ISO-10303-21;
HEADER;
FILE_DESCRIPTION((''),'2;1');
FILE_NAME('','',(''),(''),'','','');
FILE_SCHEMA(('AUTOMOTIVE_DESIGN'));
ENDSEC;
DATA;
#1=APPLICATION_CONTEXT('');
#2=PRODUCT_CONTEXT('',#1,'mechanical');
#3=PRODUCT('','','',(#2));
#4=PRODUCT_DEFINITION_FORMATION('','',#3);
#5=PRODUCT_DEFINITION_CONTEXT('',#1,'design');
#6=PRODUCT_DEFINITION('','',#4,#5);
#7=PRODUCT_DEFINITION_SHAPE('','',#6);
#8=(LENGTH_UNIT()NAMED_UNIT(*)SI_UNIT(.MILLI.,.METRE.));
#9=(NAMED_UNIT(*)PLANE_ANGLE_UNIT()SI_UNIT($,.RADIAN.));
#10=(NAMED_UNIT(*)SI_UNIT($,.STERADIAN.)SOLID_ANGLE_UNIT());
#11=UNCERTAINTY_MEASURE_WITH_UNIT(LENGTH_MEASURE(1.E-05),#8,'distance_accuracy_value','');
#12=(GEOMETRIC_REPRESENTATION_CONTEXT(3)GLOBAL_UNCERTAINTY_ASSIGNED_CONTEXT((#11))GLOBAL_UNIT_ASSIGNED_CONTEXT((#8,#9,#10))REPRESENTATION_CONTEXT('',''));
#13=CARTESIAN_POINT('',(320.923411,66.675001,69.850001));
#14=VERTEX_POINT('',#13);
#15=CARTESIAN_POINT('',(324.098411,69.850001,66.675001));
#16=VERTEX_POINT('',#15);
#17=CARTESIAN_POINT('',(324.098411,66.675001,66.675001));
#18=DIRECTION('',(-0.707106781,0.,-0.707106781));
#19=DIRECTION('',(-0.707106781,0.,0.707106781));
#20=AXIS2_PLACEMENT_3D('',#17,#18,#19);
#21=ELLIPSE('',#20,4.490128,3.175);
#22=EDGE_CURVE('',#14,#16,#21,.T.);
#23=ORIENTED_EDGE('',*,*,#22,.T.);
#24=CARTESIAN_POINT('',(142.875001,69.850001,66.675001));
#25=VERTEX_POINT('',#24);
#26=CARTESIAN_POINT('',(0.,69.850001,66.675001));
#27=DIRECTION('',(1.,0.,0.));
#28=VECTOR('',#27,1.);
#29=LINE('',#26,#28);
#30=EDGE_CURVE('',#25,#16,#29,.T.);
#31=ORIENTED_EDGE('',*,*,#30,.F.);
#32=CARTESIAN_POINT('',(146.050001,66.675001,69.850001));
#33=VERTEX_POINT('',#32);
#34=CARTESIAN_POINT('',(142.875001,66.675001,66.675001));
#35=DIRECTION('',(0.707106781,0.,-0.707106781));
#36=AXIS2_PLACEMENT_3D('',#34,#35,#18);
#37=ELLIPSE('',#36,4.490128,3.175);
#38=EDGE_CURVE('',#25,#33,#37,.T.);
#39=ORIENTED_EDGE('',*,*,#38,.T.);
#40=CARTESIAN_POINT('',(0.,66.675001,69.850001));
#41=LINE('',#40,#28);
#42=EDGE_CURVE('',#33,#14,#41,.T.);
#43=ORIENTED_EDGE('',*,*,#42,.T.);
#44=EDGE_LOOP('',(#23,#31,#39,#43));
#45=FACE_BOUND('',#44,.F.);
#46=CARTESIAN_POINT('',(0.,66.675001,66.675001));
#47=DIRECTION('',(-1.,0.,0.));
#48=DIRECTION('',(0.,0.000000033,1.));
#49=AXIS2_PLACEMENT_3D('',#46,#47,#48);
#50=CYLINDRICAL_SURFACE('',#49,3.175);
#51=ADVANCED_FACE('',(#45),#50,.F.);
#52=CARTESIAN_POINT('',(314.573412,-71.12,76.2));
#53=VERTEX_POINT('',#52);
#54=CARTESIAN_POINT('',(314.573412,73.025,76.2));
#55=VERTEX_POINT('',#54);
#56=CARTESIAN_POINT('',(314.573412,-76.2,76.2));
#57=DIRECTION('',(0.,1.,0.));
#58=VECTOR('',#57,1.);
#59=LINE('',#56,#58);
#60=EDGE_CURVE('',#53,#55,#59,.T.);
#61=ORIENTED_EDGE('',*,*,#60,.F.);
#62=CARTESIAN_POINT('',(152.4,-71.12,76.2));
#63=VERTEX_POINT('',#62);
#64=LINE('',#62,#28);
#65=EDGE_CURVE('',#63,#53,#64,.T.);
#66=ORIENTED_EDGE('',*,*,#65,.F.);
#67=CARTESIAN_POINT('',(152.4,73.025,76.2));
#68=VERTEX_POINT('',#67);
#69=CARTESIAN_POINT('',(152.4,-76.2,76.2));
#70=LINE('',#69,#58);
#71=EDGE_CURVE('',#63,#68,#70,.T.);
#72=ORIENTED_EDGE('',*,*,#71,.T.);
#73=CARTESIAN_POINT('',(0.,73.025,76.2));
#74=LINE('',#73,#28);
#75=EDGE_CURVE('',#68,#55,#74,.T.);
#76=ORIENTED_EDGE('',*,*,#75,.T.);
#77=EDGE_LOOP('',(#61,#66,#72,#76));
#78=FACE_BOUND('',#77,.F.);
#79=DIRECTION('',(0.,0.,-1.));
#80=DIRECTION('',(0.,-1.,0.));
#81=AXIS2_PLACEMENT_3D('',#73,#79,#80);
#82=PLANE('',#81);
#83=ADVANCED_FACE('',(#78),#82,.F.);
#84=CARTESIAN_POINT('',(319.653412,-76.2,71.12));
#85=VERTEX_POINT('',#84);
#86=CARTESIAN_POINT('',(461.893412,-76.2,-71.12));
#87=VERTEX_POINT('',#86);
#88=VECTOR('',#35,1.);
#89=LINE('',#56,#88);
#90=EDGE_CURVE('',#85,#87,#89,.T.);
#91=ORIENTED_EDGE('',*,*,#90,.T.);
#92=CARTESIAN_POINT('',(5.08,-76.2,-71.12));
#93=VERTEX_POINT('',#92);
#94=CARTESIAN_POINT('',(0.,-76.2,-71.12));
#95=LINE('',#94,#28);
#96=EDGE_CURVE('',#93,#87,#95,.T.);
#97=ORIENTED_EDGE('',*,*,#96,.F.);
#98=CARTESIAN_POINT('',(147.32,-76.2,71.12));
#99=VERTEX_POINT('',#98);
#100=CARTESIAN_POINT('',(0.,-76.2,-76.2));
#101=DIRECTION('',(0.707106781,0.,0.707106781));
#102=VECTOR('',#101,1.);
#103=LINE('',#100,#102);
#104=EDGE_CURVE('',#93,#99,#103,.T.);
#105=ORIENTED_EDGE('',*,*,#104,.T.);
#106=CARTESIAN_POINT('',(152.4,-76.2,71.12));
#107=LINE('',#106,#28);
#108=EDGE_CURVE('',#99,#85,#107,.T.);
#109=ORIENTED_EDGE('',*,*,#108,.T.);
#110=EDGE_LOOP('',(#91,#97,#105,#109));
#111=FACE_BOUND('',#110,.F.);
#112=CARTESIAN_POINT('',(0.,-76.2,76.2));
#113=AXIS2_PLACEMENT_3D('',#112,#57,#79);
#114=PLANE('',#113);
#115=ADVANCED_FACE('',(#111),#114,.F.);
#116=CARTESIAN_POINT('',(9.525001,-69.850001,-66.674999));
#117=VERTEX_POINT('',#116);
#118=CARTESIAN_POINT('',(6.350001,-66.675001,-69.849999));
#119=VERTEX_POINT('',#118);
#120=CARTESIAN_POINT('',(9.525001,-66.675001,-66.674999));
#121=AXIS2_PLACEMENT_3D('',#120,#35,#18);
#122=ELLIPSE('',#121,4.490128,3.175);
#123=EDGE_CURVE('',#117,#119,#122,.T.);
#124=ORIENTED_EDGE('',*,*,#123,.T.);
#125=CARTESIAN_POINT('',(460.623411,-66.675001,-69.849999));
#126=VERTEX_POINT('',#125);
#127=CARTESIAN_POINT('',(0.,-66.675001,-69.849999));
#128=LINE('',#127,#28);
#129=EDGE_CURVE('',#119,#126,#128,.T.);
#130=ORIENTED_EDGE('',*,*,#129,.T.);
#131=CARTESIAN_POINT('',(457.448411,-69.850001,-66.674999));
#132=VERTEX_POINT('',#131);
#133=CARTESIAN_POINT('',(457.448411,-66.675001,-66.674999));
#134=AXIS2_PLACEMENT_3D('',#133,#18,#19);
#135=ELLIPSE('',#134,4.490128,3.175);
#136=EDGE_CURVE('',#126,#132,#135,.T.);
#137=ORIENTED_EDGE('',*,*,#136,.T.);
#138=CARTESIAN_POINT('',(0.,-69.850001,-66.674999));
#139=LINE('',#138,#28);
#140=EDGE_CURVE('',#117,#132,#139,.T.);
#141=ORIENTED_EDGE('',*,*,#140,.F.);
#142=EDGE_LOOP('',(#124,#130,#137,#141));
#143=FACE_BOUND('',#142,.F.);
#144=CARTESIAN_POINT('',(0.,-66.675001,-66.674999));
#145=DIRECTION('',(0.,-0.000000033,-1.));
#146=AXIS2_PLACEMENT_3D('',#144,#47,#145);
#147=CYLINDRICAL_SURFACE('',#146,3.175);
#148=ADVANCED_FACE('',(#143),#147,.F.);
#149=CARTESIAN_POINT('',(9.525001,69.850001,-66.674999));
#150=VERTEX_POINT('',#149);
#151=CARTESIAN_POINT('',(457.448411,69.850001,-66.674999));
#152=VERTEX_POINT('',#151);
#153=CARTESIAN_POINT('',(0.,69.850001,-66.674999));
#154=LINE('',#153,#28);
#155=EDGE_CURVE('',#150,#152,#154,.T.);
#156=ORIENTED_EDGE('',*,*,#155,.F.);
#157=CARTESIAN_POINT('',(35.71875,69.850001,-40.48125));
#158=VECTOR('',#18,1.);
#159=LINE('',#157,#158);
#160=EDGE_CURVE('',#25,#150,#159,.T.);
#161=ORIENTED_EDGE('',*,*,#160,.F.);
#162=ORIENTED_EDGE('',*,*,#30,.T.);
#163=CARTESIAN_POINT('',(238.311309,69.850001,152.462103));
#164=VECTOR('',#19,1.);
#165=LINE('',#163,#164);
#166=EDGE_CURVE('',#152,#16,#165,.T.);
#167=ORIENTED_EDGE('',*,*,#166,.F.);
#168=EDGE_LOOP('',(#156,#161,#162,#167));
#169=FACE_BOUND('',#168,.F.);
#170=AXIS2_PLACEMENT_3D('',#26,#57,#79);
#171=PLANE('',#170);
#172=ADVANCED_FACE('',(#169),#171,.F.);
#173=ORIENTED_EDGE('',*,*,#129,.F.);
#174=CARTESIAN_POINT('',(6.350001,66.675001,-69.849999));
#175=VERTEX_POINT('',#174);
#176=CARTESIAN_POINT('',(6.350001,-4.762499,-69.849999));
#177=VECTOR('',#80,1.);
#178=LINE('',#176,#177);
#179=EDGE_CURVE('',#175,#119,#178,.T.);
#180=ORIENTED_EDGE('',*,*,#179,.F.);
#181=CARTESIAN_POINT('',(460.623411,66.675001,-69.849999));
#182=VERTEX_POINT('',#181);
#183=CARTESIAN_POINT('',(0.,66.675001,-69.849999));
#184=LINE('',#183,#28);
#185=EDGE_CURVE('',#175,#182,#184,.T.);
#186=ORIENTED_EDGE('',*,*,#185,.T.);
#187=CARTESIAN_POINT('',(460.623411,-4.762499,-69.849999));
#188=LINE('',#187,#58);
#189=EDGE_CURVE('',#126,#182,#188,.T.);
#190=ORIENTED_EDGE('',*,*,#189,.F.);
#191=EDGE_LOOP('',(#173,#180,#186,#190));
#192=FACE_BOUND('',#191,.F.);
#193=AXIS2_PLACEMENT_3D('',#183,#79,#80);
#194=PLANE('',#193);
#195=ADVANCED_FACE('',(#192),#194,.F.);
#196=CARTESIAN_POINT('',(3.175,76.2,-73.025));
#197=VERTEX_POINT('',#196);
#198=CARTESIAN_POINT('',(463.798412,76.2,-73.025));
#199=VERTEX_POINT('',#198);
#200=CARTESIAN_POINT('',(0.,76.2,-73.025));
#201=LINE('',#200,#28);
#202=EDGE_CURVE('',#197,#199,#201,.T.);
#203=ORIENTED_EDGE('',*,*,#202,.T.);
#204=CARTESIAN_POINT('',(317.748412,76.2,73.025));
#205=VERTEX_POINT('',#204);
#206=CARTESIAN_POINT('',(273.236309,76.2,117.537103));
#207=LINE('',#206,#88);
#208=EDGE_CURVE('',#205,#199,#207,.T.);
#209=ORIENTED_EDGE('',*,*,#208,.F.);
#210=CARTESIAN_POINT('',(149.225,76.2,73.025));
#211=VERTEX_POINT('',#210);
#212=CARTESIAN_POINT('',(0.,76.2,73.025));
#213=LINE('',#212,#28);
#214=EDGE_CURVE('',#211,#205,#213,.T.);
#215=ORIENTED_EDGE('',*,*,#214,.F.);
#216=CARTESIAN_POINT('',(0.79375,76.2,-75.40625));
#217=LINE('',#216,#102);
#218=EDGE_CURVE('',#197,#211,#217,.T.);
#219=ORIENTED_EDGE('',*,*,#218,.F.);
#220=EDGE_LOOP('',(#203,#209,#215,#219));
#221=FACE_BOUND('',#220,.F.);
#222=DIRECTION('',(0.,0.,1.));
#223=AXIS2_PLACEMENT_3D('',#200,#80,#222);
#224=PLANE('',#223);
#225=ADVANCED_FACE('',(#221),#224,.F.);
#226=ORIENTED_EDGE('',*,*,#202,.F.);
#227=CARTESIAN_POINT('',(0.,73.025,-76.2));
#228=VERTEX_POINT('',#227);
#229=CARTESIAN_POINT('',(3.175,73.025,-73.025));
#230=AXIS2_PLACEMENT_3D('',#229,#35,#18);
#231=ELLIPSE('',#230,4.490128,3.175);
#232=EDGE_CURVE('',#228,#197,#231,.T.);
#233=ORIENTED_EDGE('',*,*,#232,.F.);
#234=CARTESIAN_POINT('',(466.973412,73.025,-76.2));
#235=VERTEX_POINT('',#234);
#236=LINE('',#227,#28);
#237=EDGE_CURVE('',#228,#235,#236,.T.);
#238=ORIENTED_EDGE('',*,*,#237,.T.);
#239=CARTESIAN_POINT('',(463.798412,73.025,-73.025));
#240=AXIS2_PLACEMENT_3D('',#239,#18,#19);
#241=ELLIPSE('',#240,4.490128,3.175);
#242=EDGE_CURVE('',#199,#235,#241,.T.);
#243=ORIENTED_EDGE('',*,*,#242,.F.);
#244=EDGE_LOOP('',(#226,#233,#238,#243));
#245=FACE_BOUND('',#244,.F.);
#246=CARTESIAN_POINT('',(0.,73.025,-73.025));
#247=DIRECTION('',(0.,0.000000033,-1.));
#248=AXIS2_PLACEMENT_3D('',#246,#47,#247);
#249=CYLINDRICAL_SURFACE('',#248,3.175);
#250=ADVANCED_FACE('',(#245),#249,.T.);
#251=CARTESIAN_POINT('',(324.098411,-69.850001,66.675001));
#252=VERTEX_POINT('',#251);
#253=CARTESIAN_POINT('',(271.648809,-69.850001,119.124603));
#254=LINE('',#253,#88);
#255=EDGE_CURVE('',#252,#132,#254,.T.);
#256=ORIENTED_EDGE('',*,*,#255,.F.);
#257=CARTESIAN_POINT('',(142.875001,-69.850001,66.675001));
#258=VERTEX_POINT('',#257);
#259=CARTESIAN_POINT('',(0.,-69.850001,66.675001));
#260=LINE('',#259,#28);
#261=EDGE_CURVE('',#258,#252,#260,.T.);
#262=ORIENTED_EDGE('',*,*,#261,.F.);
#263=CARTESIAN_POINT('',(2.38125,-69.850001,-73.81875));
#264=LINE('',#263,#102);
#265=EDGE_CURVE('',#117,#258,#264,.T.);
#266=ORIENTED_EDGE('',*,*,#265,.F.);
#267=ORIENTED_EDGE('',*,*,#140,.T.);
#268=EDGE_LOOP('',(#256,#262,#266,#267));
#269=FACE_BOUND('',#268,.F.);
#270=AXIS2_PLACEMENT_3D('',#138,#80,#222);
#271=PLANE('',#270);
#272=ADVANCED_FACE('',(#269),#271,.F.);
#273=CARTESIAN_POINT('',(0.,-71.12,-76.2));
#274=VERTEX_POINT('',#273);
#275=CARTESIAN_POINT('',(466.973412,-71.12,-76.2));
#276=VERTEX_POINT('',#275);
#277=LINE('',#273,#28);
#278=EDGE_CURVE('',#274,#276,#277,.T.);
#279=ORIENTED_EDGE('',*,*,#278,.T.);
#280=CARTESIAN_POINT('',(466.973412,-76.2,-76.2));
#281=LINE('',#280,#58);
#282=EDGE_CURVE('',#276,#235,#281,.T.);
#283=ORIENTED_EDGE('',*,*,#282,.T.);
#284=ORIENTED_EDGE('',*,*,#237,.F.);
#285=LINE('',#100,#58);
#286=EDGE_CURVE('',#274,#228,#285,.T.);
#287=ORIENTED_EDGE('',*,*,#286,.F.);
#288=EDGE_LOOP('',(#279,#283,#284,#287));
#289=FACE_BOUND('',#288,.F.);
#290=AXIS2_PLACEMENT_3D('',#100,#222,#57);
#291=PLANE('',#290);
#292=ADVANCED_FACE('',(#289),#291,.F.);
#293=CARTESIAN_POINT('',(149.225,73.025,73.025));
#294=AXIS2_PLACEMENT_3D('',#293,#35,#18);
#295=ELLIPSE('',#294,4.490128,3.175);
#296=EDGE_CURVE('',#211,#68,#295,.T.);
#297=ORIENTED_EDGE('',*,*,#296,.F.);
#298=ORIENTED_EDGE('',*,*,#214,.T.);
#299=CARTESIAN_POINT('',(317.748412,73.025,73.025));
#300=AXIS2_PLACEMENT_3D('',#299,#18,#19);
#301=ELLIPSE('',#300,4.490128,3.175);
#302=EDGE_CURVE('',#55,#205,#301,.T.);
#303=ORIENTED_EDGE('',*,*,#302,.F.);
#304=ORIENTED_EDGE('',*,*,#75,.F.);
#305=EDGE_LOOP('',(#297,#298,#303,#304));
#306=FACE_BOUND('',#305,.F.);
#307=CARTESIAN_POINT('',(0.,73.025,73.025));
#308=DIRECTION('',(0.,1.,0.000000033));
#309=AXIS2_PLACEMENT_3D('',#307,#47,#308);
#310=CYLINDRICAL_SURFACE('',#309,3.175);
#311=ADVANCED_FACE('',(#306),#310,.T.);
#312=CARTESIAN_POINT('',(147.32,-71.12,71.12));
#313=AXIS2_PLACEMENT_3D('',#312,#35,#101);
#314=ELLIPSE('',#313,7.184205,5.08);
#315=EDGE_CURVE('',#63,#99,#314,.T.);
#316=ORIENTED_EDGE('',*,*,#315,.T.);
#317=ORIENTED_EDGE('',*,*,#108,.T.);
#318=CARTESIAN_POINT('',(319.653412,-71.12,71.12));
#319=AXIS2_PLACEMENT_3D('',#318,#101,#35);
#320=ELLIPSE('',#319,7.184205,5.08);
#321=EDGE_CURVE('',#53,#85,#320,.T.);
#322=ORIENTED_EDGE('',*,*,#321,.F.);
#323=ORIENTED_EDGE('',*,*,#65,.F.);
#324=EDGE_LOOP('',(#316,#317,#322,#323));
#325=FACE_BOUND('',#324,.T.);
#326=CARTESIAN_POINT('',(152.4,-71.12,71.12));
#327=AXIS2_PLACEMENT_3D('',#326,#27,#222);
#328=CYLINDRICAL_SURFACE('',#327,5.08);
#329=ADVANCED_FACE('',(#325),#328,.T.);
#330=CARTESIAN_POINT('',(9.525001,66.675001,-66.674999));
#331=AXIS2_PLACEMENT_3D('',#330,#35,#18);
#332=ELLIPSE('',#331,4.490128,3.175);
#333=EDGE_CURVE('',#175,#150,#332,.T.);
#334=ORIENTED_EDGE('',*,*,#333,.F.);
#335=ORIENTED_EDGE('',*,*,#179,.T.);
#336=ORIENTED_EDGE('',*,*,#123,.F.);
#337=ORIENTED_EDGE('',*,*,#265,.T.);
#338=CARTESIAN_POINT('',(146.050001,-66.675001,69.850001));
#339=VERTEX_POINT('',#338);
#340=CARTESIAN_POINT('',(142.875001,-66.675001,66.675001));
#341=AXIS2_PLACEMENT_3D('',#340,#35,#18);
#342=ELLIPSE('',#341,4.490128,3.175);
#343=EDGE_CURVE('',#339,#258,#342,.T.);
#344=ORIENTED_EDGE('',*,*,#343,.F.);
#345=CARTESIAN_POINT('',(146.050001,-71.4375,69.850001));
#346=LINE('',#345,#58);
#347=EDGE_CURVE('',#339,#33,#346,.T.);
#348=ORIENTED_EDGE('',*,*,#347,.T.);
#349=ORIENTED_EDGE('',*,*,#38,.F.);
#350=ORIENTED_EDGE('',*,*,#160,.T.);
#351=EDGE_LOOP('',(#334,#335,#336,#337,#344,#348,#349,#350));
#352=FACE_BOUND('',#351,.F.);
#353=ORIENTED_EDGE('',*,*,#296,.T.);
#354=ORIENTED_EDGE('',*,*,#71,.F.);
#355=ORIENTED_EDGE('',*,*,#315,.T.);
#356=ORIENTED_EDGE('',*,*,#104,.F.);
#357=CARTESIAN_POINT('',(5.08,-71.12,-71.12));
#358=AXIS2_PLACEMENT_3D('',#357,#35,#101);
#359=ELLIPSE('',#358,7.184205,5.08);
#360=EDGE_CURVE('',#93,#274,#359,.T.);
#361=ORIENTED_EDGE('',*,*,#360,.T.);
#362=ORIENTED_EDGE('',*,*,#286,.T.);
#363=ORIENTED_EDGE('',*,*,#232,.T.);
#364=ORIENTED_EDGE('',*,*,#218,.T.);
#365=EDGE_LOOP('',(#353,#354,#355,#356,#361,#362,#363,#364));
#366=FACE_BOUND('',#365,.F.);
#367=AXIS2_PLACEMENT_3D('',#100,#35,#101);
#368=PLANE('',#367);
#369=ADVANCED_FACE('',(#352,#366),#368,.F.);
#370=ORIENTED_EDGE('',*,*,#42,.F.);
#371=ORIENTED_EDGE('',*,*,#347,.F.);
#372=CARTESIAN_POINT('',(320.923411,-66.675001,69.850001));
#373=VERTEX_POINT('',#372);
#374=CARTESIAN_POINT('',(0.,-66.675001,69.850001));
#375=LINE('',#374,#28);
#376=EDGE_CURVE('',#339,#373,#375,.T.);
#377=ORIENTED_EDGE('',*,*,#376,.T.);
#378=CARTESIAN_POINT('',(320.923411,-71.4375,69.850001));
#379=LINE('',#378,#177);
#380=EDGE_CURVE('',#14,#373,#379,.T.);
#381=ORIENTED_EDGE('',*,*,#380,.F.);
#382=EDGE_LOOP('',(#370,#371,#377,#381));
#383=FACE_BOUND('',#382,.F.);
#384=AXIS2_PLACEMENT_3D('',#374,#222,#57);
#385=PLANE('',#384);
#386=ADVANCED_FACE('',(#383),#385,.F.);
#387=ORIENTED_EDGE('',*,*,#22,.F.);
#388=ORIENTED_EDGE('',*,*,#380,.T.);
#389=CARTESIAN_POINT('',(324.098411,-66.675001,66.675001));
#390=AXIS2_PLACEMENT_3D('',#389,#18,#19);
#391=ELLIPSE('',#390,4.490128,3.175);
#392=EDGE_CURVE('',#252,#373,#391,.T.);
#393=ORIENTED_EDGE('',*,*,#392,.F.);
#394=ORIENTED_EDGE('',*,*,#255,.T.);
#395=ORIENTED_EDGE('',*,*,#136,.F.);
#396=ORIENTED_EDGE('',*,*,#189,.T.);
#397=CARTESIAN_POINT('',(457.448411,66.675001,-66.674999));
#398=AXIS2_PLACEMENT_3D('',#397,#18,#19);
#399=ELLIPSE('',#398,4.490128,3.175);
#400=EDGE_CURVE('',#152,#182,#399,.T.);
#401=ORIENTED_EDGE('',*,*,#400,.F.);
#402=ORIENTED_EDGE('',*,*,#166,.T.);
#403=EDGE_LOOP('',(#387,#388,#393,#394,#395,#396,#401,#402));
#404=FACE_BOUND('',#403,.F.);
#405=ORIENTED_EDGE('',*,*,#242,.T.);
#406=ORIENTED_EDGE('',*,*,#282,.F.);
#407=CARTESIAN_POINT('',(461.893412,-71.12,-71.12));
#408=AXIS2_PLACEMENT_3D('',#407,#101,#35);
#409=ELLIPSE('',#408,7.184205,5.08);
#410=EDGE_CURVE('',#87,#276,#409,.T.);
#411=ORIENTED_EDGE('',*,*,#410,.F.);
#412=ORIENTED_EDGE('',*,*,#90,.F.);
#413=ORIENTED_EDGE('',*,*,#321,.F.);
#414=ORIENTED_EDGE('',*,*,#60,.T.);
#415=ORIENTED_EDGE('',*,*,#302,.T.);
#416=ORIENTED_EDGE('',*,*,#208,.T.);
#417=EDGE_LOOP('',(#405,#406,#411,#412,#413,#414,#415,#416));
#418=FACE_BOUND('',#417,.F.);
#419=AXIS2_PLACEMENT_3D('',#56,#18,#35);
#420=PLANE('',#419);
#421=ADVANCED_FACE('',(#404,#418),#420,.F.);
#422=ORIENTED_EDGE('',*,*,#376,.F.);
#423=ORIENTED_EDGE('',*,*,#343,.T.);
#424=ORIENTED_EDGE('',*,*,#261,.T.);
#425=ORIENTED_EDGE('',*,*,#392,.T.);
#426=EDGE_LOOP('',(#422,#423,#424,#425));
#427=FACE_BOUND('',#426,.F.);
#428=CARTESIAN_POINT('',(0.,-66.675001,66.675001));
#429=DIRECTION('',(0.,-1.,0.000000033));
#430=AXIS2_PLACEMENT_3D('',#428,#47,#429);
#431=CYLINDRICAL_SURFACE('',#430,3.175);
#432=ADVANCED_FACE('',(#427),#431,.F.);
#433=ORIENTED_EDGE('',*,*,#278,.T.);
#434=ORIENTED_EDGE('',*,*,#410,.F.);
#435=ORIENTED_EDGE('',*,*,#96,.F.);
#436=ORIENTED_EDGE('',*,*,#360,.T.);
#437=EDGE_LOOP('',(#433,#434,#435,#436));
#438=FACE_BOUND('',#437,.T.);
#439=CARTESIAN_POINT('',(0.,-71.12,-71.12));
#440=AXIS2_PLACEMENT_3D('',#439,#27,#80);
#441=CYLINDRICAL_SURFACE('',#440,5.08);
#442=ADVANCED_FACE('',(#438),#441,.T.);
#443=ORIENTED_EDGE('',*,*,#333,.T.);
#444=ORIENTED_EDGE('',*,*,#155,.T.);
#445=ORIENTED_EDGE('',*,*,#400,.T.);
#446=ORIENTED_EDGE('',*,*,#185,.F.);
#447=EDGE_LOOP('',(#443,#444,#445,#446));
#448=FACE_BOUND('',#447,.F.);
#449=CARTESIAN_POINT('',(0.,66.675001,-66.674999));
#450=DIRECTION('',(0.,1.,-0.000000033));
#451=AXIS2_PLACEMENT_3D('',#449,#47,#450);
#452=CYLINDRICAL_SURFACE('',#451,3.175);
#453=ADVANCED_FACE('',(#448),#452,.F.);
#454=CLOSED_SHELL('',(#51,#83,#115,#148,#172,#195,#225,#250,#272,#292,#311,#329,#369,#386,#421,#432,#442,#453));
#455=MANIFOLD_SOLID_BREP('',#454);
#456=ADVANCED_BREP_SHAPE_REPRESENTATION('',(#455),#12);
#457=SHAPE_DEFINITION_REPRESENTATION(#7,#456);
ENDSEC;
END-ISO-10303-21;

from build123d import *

# Parameters (mm, degrees)
F1_DEPTH = 466.973412
F3_DEPTH = 152.401
F4_R     = 5.08


with BuildPart() as f1:
    # F0 (on Right) → F1 (new body)
    with BuildSketch(Plane.YZ):
        with BuildLine():
            Line((73.025, 76.2), (-76.2, 76.2))
            Line((-76.2, 76.2), (-76.2, -76.2))
            Line((-76.2, -76.2), (73.025, -76.2))
            ThreePointArc((73.025, -76.2), (75.270064, -75.270064), (76.2, -73.025))
            Line((76.2, -73.025), (76.2, 73.025))
            ThreePointArc((76.2, 73.025), (75.270064, 75.270064), (73.025, 76.2))
        make_face()
        with BuildLine():
            Line((-69.850001, -66.674999), (-69.850001, 66.675001))
            ThreePointArc((-69.850001, 66.675001), (-68.920065, 68.920065), (-66.675001, 69.850001))
            Line((-66.675001, 69.850001), (66.675001, 69.850001))
            ThreePointArc((66.675001, 69.850001), (68.920065, 68.920065), (69.850001, 66.675001))
            Line((69.850001, 66.675001), (69.850001, -66.674999))
            ThreePointArc((69.850001, -66.674999), (68.920065, -68.920063), (66.675001, -69.849999))
            Line((66.675001, -69.849999), (-66.675001, -69.849999))
            ThreePointArc((-66.675001, -69.849999), (-68.920065, -68.920063), (-69.850001, -66.674999))
        make_face(mode=Mode.SUBTRACT)
    extrude(amount=F1_DEPTH)

    # F2 (on face) → F3 (cut, through all)
    with BuildSketch(Plane.XZ.offset(76.2)):
        Polygon((0, 76.2), (0, -76.2), (152.4, 76.2), align=None)
        Polygon((314.573412, 76.2), (466.973412, -76.2), (466.973412, 76.2), align=None)
    extrude(amount=-F3_DEPTH, mode=Mode.SUBTRACT)

    # F4
    f4_edges = [f1.edges().sort_by_distance(p)[0] for p in [
        (233.486706, -76.2, 76.2),
        (233.486706, -76.2, -76.2),
    ]]
    fillet(f4_edges, radius=F4_R)


solid = f1.part
